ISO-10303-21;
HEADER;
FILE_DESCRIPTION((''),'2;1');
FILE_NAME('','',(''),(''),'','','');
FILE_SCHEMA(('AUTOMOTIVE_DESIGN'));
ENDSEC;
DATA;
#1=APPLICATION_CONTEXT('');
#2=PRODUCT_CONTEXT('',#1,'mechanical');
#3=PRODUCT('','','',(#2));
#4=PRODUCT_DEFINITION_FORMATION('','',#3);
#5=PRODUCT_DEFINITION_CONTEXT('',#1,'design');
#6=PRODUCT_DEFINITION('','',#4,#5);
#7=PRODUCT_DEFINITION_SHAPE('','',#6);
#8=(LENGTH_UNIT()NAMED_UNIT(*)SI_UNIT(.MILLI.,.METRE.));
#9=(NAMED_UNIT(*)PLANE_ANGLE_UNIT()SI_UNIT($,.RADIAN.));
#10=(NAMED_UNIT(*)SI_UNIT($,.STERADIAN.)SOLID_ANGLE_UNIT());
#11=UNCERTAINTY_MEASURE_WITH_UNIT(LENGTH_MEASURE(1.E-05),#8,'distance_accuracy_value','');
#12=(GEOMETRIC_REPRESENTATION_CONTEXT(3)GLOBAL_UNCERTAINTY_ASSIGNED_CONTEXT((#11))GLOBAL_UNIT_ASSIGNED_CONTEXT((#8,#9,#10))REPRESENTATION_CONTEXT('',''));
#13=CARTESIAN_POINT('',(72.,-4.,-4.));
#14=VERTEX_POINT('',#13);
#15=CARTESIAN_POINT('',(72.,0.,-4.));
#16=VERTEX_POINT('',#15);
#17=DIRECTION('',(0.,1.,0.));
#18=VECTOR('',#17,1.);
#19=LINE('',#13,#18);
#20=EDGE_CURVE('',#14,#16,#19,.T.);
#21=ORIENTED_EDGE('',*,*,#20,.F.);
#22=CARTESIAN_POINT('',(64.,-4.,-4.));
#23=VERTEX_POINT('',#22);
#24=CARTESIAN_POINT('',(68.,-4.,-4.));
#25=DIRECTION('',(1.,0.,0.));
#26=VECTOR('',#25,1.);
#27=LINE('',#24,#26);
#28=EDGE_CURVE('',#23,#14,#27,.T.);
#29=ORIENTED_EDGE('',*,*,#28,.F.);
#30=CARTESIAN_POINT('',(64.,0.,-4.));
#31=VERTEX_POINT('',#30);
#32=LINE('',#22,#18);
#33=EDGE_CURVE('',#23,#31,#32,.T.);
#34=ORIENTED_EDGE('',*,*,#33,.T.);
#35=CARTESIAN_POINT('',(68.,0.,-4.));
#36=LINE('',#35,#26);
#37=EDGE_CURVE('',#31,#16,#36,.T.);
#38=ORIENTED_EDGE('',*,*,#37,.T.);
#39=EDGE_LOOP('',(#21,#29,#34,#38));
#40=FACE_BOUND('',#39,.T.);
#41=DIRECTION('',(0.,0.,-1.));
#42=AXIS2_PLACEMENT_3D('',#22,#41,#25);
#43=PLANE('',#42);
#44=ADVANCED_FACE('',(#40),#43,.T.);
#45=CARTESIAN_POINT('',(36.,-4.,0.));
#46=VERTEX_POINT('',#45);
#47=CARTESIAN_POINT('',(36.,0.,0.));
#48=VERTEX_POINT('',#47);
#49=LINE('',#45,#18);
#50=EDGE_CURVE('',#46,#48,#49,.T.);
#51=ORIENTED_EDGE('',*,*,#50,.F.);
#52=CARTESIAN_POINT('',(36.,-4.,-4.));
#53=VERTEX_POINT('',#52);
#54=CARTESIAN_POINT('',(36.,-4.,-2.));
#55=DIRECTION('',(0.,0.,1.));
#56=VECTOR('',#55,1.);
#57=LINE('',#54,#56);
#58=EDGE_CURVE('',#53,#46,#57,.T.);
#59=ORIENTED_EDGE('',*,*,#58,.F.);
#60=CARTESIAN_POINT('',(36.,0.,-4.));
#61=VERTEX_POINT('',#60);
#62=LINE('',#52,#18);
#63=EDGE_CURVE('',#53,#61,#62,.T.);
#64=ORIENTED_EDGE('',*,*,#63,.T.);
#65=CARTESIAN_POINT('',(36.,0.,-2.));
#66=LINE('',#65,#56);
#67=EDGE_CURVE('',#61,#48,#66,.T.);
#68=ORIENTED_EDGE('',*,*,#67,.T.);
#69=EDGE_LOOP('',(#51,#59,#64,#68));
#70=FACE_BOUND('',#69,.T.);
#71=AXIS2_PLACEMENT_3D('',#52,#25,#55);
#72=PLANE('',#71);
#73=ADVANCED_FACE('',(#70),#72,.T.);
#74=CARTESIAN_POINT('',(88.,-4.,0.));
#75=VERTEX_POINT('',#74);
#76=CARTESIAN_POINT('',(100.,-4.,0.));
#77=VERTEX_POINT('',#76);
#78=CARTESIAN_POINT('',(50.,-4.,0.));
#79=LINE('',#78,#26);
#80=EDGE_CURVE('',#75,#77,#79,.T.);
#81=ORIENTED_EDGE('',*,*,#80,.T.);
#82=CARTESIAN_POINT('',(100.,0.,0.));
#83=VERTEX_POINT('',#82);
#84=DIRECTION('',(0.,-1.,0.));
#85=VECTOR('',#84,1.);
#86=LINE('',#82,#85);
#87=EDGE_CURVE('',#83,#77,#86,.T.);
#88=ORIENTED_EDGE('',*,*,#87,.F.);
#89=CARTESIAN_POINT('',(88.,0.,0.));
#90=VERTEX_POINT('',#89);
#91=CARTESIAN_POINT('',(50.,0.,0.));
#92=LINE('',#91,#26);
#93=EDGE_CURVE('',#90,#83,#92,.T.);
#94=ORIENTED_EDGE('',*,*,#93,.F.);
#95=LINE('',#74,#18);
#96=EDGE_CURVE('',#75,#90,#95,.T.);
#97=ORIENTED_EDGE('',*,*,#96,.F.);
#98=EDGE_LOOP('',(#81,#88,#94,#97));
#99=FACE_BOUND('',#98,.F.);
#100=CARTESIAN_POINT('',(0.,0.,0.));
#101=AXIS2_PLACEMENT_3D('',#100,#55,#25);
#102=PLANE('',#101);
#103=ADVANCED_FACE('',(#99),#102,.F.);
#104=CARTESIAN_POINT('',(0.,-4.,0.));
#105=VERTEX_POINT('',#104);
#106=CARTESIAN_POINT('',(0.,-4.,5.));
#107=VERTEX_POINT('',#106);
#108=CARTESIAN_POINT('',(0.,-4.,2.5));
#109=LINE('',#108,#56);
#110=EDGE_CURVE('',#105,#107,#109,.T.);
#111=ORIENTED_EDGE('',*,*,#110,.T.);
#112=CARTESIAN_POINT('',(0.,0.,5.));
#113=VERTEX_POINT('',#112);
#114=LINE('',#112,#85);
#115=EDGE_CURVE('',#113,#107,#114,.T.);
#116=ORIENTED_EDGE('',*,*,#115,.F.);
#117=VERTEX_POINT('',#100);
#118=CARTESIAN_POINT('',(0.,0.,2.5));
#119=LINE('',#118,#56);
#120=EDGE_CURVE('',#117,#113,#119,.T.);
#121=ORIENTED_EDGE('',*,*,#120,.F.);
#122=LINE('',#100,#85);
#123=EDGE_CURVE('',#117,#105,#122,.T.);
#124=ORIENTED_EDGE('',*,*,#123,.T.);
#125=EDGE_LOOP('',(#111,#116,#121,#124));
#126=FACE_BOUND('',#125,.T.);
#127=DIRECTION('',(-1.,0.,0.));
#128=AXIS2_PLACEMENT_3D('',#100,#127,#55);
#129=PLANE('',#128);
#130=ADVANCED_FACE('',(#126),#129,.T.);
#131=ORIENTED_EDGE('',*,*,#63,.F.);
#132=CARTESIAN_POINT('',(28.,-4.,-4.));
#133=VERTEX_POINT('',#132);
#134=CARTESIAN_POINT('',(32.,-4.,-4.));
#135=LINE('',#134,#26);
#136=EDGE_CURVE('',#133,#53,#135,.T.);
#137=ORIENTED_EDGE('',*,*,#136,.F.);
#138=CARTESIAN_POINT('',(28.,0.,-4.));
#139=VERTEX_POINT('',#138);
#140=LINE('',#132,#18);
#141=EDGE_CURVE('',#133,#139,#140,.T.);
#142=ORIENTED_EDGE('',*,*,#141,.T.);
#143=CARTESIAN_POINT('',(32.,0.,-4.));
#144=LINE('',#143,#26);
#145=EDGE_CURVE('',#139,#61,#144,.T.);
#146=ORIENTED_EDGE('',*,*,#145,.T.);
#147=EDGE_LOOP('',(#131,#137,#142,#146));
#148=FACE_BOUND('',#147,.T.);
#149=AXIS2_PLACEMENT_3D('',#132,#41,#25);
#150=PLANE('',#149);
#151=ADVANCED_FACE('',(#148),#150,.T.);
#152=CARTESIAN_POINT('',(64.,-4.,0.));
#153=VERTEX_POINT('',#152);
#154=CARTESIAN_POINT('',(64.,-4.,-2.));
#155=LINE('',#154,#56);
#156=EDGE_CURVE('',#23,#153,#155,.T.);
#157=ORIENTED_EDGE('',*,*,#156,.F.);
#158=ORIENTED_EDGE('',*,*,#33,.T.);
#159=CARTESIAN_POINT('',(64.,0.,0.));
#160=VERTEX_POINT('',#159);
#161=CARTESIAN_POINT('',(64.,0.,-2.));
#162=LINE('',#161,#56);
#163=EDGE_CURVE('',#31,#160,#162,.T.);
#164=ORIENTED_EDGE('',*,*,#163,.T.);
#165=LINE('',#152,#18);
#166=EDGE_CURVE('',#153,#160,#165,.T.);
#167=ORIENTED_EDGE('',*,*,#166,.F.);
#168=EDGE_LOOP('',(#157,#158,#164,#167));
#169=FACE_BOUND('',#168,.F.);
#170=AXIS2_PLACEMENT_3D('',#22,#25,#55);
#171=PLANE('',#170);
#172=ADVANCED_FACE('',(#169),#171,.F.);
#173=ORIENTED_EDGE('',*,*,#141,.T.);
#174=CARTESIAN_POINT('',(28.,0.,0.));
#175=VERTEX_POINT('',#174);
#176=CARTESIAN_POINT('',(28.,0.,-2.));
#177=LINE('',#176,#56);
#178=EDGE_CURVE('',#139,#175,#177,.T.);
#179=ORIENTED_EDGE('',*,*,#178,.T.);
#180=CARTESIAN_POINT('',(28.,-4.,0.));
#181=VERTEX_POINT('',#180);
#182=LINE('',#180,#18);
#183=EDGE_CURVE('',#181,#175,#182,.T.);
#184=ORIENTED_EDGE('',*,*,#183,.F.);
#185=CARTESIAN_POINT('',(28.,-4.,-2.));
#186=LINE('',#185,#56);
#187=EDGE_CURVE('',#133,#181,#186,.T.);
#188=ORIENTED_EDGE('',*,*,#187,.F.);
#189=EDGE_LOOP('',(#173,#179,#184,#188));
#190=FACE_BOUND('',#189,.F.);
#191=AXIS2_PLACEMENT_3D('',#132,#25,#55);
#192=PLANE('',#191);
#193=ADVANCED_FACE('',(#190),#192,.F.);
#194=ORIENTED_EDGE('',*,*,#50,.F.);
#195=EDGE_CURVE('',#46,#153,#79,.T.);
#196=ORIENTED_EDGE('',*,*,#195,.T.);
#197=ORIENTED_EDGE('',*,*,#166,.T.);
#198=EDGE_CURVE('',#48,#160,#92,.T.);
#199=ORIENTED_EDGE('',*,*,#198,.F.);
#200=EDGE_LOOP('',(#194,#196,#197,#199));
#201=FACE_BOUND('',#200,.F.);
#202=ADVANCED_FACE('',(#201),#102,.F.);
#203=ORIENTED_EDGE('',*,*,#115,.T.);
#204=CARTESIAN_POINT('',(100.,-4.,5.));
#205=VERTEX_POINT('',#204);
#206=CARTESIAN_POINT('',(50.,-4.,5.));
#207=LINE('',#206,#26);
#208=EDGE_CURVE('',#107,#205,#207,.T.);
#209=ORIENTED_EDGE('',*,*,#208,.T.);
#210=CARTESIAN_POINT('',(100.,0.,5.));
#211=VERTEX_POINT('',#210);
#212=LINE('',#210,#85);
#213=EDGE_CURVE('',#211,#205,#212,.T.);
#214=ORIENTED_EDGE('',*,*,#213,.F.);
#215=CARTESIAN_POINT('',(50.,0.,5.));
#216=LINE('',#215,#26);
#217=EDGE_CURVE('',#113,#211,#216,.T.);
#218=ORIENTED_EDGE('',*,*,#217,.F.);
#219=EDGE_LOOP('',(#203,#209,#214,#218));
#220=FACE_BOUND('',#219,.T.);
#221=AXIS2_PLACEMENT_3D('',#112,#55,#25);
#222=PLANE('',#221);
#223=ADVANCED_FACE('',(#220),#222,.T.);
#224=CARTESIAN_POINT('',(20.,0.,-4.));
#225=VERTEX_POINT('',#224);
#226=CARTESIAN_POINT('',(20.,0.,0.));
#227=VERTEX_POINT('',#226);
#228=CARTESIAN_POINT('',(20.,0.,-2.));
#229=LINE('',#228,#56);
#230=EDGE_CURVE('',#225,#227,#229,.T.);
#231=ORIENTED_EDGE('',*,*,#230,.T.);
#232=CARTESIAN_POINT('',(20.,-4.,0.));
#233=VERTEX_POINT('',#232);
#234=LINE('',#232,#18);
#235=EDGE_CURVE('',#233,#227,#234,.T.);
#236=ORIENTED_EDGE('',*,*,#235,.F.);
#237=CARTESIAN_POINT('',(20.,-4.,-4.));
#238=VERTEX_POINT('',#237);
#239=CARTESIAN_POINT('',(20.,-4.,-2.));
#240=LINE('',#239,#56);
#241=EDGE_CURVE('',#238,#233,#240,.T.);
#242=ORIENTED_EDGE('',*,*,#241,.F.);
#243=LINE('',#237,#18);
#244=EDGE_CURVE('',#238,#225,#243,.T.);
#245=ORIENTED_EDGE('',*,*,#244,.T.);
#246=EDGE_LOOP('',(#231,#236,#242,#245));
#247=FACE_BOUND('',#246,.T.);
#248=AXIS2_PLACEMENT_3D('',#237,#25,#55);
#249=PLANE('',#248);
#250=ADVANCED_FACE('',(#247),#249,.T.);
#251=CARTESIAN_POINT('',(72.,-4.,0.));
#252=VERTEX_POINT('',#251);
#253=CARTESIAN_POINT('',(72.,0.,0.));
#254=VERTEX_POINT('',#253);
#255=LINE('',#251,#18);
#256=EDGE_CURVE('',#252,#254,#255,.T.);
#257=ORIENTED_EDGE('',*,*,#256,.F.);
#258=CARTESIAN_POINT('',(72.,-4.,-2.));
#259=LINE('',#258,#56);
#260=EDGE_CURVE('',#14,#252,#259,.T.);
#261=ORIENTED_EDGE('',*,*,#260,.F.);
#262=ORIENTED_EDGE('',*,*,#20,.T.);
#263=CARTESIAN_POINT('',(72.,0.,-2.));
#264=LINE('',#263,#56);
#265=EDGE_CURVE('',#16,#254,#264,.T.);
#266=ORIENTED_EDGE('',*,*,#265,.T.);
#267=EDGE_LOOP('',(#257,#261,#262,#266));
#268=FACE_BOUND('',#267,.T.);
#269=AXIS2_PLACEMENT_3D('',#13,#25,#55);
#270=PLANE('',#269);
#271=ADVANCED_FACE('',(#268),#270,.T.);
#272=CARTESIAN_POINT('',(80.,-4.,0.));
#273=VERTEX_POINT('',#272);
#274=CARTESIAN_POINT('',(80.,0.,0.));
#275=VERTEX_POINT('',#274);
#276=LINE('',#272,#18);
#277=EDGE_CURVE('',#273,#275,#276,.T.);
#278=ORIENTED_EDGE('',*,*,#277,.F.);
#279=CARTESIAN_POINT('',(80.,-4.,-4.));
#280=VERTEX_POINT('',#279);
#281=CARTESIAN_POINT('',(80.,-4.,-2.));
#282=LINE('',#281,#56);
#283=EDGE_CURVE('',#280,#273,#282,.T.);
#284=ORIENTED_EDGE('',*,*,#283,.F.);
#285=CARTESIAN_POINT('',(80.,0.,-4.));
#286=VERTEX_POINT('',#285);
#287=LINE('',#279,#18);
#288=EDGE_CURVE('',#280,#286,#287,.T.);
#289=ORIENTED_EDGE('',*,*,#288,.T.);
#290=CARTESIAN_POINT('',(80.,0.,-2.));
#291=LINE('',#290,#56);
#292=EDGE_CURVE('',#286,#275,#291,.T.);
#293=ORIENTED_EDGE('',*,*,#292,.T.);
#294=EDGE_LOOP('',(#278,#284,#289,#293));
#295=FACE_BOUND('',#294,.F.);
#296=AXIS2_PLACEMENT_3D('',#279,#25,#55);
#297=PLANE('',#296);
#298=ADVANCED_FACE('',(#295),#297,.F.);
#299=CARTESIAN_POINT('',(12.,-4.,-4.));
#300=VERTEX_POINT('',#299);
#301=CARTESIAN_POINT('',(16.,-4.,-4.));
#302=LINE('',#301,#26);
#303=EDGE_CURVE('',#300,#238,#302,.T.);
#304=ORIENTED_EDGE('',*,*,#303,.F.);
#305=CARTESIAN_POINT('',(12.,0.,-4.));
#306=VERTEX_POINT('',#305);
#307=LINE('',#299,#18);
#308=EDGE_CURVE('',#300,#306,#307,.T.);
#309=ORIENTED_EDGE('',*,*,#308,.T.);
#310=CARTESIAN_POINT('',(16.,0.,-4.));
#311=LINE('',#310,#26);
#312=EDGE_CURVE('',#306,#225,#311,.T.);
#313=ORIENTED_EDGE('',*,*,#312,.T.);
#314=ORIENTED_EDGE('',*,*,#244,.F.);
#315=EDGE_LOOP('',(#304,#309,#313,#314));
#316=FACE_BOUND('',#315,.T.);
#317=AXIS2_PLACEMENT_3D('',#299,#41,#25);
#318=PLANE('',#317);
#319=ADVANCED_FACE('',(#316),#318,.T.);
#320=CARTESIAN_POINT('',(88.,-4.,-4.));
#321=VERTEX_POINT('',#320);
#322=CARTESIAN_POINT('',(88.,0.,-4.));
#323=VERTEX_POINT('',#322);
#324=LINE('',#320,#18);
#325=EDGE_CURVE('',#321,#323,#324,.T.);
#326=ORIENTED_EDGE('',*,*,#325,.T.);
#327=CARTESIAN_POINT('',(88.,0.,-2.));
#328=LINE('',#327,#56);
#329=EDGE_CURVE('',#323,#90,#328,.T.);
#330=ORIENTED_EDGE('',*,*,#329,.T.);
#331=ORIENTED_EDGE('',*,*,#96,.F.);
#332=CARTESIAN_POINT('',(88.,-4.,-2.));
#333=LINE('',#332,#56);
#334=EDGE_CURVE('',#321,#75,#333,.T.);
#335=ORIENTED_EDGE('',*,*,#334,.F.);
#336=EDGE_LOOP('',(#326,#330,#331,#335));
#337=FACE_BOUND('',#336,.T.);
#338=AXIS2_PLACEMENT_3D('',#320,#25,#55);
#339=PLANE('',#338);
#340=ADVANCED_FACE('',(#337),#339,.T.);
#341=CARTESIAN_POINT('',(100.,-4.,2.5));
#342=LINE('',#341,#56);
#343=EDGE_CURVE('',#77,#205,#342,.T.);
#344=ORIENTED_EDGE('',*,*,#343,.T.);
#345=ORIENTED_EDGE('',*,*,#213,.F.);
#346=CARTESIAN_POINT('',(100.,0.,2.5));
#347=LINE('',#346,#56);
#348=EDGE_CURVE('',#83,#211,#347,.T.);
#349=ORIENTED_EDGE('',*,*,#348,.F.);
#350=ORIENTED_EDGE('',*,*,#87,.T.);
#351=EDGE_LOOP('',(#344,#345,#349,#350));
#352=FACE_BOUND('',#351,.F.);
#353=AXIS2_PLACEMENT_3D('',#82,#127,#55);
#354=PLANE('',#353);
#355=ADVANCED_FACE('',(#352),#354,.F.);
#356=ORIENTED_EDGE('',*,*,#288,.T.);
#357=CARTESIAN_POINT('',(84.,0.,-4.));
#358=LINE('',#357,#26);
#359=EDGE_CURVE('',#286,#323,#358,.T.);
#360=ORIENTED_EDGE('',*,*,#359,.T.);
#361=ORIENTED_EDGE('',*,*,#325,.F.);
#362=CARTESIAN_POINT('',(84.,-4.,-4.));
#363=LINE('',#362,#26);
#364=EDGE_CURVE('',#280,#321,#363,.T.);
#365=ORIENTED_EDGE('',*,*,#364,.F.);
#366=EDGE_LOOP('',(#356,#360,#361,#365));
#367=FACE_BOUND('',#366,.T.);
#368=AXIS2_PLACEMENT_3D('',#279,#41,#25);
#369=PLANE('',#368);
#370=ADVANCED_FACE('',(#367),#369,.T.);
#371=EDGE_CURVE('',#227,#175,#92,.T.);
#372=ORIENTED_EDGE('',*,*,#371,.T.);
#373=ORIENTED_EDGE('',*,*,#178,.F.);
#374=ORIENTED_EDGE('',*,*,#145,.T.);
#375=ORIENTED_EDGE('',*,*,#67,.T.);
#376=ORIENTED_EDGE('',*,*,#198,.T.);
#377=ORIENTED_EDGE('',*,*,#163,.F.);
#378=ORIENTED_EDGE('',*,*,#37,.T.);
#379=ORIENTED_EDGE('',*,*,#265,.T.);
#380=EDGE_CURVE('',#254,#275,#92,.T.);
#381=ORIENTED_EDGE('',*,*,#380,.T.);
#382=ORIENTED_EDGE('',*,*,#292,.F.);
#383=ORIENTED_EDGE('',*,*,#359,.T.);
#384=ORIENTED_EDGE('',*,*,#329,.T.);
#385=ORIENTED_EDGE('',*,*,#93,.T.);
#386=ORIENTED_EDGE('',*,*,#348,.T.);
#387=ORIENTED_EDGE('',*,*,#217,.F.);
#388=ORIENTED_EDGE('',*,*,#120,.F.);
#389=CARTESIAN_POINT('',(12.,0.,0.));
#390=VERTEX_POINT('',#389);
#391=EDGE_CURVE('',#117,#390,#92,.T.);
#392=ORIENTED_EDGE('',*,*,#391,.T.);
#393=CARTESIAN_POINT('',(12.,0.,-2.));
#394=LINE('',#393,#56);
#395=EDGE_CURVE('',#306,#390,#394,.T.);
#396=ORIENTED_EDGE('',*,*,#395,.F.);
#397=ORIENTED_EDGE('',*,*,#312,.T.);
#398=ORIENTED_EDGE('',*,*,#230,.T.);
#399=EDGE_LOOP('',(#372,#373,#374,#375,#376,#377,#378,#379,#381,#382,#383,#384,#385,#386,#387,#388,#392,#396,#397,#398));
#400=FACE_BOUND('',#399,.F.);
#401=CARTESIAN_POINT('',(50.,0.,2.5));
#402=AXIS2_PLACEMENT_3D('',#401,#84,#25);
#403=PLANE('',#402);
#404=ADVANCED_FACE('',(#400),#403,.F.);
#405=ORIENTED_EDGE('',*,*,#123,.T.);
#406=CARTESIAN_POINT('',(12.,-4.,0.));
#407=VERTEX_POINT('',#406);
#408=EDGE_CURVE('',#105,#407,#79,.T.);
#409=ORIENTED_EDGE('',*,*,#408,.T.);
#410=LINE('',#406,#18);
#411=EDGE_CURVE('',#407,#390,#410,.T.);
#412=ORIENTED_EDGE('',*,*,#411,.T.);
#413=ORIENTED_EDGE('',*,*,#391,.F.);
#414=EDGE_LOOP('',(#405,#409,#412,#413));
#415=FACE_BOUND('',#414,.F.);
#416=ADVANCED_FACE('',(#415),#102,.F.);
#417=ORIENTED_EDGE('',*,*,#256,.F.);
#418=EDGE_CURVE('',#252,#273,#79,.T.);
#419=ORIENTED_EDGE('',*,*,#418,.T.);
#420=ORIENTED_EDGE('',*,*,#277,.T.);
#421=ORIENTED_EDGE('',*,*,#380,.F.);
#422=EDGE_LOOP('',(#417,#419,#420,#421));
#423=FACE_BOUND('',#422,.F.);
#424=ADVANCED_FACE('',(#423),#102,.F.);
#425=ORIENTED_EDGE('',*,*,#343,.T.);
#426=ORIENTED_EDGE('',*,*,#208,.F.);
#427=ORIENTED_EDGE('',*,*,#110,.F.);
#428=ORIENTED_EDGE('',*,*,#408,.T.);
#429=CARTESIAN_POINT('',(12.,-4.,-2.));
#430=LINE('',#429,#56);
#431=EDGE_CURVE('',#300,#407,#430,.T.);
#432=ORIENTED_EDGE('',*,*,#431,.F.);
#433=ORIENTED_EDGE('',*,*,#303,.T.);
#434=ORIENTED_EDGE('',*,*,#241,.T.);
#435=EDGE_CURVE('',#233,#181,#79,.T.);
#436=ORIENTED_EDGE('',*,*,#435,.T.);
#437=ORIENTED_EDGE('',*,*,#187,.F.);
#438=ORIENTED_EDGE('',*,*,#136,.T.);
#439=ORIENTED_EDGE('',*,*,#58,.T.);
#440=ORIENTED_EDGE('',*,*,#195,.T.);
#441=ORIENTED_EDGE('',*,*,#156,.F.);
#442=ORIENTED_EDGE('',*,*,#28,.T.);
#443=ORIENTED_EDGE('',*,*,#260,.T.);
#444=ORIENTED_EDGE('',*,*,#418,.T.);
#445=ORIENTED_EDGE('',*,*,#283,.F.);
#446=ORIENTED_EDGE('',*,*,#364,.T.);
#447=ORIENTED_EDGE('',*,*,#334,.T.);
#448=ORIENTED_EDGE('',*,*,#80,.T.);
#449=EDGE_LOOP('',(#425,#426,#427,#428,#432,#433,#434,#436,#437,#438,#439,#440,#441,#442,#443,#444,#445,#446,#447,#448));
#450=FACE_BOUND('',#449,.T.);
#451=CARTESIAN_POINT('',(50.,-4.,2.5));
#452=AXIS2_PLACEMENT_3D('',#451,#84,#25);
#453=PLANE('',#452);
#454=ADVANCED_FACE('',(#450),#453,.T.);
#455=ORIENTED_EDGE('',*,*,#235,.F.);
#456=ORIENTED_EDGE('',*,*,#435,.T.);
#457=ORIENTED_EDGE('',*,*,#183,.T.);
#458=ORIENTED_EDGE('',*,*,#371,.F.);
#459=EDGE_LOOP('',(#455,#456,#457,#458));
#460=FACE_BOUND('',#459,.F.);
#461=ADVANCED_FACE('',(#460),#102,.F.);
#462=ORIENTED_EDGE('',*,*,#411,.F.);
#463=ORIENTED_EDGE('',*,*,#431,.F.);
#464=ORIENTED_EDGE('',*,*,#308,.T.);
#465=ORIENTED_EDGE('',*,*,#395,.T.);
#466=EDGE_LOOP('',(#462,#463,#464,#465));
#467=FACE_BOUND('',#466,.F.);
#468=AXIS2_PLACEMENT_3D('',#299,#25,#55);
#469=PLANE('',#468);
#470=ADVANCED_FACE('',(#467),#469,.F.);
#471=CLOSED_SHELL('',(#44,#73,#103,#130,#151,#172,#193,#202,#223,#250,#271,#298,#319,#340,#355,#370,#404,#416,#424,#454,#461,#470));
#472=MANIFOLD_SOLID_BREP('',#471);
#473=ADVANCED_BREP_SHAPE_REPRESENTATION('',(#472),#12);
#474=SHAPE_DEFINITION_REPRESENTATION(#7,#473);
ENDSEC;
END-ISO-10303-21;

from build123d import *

# Parameters (mm, degrees)
F0_W     = 100
F0_H     = 5
F1_DEPTH = 4
F2_W     = 8
F2_H     = 4
F3_DEPTH = 4


with BuildPart() as f1:
    # F0 (on Front) → F1 (new body)
    with BuildSketch(Plane.XZ):
        with Locations((50, 2.5)):
            Rectangle(F0_W, F0_H)
    extrude(amount=F1_DEPTH)

    # F2 (on face) → F3 (join)
    with BuildSketch(Plane.XZ.offset(4)):
        with Locations((16, -2)):
            Rectangle(F2_W, F2_H)
        with Locations((32, -2)):
            Rectangle(F2_W, F2_H)
        with Locations((84, -2)):
            Rectangle(F2_W, F2_H)
        with Locations((68, -2)):
            Rectangle(F2_W, F2_H)
    extrude(amount=-F3_DEPTH)


solid = f1.part
